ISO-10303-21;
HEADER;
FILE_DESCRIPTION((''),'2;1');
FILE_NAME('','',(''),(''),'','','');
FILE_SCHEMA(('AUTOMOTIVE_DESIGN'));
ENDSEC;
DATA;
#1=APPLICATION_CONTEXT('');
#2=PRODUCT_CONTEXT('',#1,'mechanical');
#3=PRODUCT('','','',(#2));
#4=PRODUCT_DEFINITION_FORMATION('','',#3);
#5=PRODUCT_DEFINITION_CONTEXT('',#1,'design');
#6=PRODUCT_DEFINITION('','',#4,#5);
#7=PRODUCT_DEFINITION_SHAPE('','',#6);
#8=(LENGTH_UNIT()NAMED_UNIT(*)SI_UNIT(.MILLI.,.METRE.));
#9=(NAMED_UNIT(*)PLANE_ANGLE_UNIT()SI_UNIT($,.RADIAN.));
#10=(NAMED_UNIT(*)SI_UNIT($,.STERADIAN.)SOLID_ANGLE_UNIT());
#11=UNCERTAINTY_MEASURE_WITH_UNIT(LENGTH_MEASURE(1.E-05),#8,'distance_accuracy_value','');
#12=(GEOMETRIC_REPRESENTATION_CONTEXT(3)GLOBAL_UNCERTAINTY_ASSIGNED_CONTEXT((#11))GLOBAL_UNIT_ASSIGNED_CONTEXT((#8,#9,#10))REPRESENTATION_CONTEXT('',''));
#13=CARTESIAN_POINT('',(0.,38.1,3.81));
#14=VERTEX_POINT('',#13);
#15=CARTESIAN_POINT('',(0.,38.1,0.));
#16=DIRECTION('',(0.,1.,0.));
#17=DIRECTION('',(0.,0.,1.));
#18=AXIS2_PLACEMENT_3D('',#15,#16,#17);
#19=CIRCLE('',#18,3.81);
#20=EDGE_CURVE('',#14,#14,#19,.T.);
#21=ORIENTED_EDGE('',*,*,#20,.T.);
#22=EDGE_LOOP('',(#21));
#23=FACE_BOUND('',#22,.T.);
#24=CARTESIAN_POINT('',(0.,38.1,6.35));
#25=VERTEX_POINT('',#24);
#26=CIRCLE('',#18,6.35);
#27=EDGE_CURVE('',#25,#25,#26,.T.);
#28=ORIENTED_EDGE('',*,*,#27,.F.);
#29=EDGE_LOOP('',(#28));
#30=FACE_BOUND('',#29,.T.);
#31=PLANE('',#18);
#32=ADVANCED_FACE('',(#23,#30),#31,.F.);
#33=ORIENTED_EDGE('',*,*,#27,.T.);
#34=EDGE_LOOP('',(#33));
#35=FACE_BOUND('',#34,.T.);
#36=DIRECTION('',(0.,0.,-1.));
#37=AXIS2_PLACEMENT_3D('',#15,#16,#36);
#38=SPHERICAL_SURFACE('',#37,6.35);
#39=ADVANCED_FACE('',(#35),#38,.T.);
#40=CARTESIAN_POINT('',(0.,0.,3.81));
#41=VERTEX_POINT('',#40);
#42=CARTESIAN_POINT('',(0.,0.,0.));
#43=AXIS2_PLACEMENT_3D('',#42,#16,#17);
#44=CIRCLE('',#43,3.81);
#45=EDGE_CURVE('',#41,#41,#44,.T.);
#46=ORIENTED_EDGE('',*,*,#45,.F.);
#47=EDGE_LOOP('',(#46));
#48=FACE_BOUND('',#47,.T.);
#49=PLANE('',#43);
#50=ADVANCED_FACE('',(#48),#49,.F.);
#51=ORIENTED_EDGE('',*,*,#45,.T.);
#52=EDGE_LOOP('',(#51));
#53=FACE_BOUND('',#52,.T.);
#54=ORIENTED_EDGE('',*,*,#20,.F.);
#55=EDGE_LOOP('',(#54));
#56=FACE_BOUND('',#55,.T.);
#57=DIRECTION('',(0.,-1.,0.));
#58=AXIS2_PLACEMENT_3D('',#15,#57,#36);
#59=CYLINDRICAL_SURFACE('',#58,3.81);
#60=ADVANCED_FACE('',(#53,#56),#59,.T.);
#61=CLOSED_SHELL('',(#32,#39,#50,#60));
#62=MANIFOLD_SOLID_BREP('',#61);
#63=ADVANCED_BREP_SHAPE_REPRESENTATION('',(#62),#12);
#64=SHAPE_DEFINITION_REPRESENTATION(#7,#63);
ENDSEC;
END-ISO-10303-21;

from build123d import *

# Parameters (mm, degrees)
SKETCH1_R           = 3.81
BOSS_EXTRUDE1_DEPTH = 38.1


with BuildPart() as part:
    # Sketch1 → Boss-Extrude1 (new body)
    with BuildSketch(Plane(origin=(0, 0, 0), x_dir=(1, 0, 0), z_dir=(0, 1, 0))):
        Circle(SKETCH1_R)
    extrude(amount=BOSS_EXTRUDE1_DEPTH)

    # Sketch3 → Revolve3 (revolve)
    with BuildSketch(Plane(origin=(0, 0, 0), x_dir=(0, 0, -1), z_dir=(1, 0, 0))):
        with BuildLine():
            Line((0, 38.1), (6.35, 38.1))
            ThreePointArc((6.35, 38.1), (4.490128061, 42.590128061), (0, 44.45))
            Line((0, 44.45), (0, 38.1))
        make_face()
    revolve(axis=Axis((0, 38.1, 0), (0, -1, 0)))


solid = part.part
